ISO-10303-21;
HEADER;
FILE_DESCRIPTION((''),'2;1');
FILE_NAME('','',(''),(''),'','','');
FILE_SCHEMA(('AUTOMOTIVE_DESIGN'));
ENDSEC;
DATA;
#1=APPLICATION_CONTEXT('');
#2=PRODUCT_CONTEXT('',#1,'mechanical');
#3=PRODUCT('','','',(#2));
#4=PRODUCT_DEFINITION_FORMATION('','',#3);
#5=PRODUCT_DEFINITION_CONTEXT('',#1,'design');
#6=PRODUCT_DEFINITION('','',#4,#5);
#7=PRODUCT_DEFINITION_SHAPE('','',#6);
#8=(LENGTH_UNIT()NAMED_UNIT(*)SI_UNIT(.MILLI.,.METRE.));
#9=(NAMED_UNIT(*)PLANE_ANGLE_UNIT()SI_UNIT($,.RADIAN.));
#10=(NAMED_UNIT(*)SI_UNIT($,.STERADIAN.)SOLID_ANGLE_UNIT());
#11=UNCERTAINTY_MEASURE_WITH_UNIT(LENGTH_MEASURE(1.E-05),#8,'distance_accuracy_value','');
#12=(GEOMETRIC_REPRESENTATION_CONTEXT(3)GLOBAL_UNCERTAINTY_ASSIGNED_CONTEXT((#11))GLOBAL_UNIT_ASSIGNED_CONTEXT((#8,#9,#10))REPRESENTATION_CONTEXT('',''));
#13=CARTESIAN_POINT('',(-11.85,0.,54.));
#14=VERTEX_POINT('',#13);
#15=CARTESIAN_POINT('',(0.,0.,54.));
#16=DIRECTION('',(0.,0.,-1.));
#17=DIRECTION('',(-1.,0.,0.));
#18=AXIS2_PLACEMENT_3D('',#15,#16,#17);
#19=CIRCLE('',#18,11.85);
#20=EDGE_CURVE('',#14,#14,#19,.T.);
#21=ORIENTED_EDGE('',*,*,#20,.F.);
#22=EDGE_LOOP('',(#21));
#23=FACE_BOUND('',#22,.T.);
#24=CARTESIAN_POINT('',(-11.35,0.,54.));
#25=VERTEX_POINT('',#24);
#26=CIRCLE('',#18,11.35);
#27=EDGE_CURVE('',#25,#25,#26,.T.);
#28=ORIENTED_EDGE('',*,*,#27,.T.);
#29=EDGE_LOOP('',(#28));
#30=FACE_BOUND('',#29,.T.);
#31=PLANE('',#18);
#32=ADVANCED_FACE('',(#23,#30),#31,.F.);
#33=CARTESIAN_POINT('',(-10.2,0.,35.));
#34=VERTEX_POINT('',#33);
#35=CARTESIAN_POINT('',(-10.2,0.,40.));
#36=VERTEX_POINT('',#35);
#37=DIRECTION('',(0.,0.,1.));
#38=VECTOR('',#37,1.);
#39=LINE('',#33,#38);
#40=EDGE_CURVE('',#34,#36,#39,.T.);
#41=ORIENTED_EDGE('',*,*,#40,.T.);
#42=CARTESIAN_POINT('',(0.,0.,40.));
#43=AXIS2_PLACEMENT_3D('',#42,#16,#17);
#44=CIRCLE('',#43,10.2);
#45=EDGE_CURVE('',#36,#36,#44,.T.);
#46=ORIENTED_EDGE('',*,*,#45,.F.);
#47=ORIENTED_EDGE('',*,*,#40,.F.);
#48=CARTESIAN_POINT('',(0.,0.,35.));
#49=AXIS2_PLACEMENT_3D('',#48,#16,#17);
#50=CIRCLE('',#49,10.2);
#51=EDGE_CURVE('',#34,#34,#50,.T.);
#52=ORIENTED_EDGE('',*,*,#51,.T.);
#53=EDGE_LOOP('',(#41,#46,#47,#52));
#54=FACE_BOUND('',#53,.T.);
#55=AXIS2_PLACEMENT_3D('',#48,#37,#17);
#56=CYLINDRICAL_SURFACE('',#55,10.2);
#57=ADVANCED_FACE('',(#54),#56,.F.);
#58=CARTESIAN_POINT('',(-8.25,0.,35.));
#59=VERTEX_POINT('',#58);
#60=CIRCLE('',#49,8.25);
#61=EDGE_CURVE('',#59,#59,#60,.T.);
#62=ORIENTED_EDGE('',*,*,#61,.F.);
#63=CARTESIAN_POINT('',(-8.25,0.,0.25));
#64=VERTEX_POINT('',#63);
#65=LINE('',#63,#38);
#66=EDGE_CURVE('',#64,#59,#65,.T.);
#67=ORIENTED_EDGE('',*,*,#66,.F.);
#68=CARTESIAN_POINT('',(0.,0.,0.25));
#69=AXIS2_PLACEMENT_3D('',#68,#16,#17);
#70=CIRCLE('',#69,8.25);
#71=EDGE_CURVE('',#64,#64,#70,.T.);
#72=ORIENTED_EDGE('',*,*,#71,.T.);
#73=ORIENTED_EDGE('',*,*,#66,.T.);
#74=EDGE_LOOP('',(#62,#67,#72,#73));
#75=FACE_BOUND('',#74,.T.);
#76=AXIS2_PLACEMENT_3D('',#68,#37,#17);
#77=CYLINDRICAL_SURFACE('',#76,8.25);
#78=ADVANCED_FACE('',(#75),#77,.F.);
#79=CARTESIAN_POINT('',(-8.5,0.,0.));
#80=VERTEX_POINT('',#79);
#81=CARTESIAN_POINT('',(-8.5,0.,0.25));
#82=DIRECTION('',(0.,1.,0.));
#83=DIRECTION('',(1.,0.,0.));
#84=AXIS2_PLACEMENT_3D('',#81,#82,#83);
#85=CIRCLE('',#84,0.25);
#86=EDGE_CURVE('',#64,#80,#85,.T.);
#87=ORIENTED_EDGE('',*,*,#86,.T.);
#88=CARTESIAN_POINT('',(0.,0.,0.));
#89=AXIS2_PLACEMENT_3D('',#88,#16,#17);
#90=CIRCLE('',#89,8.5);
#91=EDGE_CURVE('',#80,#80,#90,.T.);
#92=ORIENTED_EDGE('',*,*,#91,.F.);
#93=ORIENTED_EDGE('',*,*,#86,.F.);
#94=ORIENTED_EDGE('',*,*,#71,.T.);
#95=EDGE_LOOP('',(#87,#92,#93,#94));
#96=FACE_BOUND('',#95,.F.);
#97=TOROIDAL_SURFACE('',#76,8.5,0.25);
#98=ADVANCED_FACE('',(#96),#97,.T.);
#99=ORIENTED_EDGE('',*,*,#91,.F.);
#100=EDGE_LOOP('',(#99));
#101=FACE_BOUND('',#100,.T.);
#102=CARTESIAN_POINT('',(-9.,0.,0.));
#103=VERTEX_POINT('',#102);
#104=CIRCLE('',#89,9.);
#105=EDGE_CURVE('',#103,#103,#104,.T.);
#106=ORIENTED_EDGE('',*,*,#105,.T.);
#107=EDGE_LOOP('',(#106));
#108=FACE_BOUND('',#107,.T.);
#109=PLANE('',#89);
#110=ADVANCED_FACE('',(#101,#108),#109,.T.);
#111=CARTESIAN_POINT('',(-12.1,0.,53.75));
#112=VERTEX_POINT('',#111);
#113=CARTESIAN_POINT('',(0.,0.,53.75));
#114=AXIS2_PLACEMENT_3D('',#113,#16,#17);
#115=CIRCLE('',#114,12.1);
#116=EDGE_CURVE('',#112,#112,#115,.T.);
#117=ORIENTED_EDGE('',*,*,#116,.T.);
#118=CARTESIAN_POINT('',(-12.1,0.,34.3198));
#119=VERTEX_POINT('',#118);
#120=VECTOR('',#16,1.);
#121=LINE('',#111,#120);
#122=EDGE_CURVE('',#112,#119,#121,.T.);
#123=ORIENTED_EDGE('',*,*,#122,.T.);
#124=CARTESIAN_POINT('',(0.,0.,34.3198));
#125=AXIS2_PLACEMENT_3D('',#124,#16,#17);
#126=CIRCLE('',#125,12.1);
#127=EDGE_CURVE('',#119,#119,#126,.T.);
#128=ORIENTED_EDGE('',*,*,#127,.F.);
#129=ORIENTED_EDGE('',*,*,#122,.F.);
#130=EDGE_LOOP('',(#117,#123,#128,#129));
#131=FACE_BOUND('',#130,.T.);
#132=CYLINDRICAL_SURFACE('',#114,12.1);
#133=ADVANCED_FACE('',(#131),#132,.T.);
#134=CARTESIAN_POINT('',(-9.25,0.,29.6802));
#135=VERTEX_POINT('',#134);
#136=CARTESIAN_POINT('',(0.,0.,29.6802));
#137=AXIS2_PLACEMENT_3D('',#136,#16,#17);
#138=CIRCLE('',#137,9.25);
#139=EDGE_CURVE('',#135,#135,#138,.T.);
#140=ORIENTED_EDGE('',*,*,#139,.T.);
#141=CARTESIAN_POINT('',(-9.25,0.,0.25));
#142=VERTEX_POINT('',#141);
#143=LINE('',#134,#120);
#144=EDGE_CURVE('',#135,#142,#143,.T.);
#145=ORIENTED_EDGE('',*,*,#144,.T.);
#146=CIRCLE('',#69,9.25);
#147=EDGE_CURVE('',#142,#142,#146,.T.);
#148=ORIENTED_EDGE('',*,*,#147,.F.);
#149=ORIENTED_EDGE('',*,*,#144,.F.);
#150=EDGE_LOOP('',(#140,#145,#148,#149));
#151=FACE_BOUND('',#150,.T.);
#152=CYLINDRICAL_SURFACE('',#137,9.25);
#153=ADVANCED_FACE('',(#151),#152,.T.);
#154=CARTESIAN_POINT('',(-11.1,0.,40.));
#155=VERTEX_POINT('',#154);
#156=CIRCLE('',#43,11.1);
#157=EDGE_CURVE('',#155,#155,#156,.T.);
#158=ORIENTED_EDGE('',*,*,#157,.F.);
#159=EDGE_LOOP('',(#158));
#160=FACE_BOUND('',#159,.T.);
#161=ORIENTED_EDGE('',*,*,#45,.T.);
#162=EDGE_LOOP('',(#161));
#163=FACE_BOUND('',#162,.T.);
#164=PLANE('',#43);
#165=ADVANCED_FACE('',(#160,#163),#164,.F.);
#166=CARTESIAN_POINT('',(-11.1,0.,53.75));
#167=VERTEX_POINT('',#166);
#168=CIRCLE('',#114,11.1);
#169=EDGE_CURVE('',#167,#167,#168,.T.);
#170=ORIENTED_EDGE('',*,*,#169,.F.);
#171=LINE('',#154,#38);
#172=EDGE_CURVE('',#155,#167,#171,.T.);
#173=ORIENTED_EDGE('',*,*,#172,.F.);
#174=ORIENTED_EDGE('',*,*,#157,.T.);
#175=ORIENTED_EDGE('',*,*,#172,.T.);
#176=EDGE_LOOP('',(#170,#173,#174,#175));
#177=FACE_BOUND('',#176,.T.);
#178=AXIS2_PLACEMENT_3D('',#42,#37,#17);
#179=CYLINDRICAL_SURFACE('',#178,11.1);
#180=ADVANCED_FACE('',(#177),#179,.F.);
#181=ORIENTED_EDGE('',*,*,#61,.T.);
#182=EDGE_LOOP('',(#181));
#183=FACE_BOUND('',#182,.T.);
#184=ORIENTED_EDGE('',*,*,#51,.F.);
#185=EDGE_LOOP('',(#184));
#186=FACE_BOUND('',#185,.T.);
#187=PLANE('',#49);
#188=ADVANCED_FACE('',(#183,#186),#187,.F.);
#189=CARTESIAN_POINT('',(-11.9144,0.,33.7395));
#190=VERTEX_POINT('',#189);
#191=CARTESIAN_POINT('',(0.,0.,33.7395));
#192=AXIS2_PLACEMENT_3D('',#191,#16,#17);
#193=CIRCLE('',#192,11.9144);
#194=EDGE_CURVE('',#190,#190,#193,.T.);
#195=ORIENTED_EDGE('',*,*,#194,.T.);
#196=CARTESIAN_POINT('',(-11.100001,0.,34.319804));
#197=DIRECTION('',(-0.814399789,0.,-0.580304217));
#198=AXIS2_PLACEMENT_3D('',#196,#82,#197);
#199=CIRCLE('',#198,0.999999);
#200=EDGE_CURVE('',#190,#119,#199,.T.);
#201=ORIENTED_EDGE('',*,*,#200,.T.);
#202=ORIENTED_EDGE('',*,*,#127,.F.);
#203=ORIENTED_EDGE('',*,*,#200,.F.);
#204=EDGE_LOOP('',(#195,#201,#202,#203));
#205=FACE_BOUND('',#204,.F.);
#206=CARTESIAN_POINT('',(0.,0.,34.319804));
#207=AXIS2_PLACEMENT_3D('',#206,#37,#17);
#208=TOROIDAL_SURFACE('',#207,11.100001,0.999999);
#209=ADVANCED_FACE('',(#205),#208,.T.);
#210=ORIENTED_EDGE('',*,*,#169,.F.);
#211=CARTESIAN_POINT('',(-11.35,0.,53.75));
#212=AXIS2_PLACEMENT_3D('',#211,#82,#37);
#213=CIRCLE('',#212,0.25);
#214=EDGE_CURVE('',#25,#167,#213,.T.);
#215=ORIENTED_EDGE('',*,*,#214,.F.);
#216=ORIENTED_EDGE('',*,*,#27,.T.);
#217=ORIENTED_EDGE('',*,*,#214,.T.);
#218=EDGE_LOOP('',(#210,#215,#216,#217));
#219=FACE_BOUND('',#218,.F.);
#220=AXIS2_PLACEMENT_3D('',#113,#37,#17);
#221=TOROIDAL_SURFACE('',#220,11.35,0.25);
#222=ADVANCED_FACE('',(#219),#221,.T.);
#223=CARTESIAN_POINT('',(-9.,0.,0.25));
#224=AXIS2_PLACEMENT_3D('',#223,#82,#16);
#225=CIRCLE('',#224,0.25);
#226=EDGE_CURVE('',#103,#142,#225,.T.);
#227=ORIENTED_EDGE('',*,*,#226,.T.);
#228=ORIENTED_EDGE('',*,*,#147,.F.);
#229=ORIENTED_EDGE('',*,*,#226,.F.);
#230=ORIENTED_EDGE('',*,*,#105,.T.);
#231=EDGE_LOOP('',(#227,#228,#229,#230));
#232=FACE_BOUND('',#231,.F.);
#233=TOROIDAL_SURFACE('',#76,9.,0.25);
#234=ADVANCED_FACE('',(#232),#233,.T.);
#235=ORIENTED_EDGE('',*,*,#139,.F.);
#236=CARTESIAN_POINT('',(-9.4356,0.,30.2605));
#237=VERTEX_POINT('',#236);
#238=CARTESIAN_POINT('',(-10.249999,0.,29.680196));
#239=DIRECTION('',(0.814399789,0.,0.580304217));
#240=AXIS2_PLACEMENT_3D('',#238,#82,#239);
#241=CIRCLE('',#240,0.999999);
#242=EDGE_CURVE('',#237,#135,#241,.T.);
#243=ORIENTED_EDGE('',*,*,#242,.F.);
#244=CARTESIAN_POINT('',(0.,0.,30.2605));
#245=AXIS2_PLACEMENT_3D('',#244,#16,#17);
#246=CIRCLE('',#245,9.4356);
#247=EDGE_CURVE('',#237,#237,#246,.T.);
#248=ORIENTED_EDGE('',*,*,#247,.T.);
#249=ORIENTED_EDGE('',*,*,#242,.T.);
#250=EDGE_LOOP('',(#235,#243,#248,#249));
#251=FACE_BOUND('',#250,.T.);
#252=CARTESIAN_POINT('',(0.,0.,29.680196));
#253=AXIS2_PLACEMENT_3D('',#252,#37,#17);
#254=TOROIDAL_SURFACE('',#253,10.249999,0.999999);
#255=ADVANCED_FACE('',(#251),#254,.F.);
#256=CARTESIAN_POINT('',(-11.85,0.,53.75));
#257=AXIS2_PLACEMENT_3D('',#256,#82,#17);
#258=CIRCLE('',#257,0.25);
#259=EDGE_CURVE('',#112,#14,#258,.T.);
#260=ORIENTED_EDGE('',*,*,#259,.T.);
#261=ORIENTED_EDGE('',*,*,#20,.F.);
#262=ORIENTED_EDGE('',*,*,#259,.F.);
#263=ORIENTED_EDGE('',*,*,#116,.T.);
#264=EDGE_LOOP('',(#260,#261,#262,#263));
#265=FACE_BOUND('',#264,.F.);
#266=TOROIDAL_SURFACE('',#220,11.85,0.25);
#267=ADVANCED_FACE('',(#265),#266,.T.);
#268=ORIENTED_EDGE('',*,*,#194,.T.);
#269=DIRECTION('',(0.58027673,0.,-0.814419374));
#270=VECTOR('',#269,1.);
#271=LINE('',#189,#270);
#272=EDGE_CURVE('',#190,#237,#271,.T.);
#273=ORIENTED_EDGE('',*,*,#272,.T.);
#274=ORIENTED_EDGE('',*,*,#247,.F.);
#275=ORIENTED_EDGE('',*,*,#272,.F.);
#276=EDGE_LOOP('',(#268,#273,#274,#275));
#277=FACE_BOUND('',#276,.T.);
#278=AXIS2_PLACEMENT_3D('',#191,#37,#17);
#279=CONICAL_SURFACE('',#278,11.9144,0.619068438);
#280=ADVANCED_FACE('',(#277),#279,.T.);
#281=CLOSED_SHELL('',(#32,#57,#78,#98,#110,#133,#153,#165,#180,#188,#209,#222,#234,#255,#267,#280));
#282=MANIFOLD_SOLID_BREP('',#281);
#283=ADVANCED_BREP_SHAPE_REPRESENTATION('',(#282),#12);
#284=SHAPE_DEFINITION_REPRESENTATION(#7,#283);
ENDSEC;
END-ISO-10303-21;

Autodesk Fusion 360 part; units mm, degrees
sketch "スケッチ1" plane through (0, 0, 0) normal (0, 1, 0) x (1, 0, 0)
  line L0 (0, -73.6187) -> (0, 8) construction
  line L1 (-8.25, -0.25) -> (-8.25, -35)
  line L2 (-8.25, -35) -> (-10.2, -35)
  line L3 (-10.2, -35) -> (-10.2, -40)
  line L4 (-10.2, -40) -> (-11.1, -40)
  line L5 (-11.1, -40) -> (-11.1, -53.75)
  line L6 (-11.35, -54) -> (-11.85, -54)
  line L7 (-12.1, -53.75) -> (-12.1, -34.3198)
  line L8 (-11.9144, -33.7395) -> (-9.4356, -30.2605)
  line L9 (-9.25, -29.6802) -> (-9.25, -0.25)
  line L10 (-9, 0) -> (-8.5, 0)
  arc A0 (-9, 0) -> (-9.25, -0.25) centre (-9, -0.25) ccw
  arc A1 (-8.25, -0.25) -> (-8.5, 0) centre (-8.5, -0.25) ccw
  arc A2 (-9.4356, -30.2605) -> (-9.25, -29.6802) centre (-10.25, -29.6802) ccw
  arc A3 (-11.9144, -33.7395) -> (-12.1, -34.3198) centre (-11.1, -34.3198) ccw
  arc A4 (-12.1, -53.75) -> (-11.85, -54) centre (-11.85, -53.75) ccw
  arc A5 (-11.35, -54) -> (-11.1, -53.75) centre (-11.35, -53.75) ccw
  point P0 (-8.25, 0)
  point P1 (-11.0999, -54)
  point P2 (-12.1, -54)
  point P3 (-12.1, -34)
  point P4 (-9.25, -30)
  point P5 (-9.25, 0)
  dimension "d5" = 5
  dimension "d6" = 14
  dimension "d7" = 35
  dimension "d8" = 1
  dimension "d9" = 1
  dimension "d10" = 20
  dimension "d11" = 30
  dimension "d12" = 0.25
  dimension "d13" = 0.25
  dimension "d16" = 1
  dimension "d17" = 1
  dimension "d18" = 0.25
  dimension "d19" = 0.25
  dimension "d23" = 8.25
  dimension "d24" = 10.2
  dimension "d25" = 11.1
revolve "回転6" add sketch "スケッチ1" angle 360 about axis through (0, 0, 73.6187) along (0, 0, -1)
revolve "回転4" [suppressed]
equation "d23 = ( 16.5 / 2 ) * 1 mm"
equation "d24 = ( 20.4 / 2 ) * 1 mm"
equation "d25 = ( 22.2 / 2 ) * 1 mm"
